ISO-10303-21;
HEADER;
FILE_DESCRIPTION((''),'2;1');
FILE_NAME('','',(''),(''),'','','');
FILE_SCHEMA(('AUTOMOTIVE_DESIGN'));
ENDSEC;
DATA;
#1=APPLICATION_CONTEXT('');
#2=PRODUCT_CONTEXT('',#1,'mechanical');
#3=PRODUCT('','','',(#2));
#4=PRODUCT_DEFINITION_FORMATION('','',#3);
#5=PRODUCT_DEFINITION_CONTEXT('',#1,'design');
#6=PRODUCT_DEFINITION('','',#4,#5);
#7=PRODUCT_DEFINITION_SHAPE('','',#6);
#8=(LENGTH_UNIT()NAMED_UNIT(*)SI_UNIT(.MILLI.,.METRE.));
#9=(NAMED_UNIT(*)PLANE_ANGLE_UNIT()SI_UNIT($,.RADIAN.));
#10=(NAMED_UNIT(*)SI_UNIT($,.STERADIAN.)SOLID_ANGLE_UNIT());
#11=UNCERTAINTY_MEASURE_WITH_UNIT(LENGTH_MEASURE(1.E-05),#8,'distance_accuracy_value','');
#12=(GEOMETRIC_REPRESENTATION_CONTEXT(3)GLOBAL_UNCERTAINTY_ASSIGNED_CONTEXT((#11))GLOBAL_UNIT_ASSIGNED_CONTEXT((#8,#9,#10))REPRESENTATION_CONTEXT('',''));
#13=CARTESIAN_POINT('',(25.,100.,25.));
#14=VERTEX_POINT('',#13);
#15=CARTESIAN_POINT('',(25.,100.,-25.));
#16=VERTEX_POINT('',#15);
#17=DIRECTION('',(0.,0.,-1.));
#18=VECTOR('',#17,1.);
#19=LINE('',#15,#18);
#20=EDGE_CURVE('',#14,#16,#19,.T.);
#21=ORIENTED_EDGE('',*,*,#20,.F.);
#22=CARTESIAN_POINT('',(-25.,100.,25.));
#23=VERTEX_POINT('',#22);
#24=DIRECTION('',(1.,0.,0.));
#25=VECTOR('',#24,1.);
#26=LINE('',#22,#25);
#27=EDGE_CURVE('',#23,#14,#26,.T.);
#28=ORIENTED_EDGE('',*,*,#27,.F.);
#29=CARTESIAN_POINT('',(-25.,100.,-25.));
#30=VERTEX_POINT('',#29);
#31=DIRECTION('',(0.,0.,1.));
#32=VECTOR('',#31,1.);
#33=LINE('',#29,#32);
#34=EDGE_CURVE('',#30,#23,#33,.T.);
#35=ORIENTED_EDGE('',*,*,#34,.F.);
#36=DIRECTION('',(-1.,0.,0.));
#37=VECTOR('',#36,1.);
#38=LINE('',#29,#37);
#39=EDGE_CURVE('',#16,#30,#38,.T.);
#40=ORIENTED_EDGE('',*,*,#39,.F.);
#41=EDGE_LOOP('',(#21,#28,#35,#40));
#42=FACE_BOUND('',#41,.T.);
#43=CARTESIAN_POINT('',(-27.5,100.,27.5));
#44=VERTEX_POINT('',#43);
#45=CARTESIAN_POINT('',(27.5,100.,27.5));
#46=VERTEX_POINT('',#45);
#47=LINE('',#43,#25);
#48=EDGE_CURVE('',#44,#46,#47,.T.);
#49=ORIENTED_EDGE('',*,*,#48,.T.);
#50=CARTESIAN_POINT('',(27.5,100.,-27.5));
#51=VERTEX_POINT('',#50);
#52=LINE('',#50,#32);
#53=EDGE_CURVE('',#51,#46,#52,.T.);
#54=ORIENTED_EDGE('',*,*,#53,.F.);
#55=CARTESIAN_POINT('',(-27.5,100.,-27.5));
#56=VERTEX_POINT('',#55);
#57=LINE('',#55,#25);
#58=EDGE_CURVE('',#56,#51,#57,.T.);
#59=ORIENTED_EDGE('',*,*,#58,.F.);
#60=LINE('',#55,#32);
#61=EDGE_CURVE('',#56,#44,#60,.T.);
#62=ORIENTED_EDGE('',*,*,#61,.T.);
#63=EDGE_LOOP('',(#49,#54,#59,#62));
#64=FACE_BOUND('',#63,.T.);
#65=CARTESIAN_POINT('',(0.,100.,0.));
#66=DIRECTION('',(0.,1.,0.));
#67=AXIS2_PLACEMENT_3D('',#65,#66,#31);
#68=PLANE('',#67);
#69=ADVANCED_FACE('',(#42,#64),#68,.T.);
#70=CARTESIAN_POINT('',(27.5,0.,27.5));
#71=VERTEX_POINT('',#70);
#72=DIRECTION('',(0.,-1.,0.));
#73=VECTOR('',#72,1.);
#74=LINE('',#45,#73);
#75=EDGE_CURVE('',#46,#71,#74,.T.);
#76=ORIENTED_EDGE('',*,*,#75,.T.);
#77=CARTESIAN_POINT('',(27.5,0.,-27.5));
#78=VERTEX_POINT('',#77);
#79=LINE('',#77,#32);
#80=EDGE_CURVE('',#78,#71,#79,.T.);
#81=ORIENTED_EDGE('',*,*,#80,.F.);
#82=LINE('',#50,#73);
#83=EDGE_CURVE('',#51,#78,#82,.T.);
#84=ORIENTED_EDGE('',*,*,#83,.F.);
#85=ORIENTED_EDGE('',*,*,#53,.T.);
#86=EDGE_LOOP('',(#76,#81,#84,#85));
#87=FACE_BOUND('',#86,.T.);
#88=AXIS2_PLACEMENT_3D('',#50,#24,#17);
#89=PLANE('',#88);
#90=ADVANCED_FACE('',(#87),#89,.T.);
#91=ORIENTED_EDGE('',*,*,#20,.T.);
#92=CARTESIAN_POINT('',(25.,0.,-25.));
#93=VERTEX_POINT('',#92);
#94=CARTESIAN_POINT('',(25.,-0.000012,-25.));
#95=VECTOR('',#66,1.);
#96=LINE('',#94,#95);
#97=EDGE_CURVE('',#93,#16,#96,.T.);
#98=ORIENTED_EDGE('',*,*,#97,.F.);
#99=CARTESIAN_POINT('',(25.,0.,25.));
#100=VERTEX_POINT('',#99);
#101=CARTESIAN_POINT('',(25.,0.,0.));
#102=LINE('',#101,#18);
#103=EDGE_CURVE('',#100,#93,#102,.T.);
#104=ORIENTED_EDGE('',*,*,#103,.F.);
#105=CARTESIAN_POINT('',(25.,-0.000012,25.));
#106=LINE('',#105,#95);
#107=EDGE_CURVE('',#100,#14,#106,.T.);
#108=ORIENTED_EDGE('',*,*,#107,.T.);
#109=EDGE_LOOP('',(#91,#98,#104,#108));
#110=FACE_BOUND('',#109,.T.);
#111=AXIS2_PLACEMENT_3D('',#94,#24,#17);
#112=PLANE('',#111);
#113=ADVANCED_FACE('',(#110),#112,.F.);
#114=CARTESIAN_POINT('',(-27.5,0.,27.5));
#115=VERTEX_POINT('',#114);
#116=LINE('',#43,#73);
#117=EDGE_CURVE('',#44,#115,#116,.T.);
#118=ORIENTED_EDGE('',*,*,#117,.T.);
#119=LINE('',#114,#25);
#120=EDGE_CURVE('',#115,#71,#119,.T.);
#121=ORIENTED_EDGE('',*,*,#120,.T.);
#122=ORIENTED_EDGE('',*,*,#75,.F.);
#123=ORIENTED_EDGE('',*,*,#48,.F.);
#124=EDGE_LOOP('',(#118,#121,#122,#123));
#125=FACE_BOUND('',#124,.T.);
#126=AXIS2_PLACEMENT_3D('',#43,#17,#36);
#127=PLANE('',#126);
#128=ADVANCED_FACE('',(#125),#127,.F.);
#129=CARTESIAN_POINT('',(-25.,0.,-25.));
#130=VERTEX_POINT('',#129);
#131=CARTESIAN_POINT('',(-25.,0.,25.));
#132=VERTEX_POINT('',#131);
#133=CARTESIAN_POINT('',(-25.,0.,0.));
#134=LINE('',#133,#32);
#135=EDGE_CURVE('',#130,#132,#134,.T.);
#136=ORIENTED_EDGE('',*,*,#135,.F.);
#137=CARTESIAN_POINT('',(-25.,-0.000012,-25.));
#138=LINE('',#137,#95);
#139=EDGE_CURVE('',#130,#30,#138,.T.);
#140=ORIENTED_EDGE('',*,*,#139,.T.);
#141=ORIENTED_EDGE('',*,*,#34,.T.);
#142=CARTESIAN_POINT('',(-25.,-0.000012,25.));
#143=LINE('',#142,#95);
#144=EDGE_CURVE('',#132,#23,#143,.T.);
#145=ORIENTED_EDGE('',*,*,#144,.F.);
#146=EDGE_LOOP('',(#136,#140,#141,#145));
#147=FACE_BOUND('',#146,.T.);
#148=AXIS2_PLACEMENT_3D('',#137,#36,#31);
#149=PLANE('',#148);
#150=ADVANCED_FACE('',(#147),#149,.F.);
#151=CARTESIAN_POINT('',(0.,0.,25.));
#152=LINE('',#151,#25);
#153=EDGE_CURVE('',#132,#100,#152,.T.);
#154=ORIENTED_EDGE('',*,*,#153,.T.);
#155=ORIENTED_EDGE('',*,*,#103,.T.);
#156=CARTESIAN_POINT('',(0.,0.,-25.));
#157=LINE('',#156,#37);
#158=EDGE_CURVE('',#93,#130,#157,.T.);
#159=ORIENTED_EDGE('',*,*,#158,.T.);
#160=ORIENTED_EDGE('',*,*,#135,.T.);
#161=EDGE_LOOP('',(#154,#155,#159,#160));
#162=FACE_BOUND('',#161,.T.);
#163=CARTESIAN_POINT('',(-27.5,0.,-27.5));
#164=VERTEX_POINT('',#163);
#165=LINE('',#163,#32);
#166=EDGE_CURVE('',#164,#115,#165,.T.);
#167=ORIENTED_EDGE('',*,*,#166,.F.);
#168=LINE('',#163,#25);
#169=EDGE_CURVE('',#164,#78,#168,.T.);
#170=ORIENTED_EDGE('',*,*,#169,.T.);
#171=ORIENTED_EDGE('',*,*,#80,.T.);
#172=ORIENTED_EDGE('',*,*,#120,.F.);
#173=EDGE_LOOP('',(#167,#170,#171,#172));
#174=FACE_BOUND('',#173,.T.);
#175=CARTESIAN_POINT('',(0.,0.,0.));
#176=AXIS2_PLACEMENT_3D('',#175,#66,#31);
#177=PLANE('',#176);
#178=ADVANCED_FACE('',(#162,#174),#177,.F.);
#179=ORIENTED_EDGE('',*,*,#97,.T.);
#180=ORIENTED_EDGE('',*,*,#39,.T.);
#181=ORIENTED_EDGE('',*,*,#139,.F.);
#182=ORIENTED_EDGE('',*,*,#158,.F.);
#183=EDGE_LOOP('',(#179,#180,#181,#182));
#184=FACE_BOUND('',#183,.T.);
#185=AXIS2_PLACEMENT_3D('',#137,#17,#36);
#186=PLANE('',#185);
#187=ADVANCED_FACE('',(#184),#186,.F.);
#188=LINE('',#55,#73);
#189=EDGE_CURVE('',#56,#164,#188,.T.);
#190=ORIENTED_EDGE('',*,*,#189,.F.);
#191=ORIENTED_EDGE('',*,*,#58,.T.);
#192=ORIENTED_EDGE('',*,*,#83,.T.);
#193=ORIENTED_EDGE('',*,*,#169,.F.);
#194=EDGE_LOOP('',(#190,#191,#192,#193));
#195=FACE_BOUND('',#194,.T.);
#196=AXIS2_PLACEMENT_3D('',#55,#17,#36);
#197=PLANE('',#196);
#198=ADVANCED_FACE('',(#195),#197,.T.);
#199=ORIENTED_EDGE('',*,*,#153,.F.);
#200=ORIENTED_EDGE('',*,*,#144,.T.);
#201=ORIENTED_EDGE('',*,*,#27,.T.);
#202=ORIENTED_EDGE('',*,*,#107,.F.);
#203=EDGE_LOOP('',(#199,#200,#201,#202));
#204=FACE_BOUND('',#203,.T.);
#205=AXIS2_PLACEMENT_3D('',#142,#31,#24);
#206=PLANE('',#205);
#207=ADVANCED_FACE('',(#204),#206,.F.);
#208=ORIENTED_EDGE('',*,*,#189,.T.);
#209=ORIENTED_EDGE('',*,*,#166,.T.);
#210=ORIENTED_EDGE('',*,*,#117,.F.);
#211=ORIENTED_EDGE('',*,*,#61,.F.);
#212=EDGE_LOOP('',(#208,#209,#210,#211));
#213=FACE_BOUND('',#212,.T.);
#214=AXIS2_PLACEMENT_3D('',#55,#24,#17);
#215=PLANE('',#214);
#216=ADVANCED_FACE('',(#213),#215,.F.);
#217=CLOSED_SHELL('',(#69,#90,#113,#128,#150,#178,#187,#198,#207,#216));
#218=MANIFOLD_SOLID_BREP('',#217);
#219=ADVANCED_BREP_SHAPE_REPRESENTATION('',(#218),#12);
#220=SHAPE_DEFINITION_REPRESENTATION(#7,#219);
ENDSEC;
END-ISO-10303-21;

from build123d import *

# Parameters (mm, degrees)
SKETCH_1_W               = 55
SKETCH_1_H               = 55
EXTRUDE_1_DEPTH          = 100
CUT_EXTRUDE_1_DEPTH      = 108.296318669
CUT_EXTRUDE_1_DEPTH_BACK = 108.296318669
SKETCH_2_W               = 50
SKETCH_2_H               = 50


with BuildPart() as part:
    # 草图1 → 凸台-拉伸1 (new body)
    with BuildSketch(Plane(origin=(0, 0, 0), x_dir=(1, 0, 0), z_dir=(0, 1, 0))):
        Rectangle(SKETCH_1_W, SKETCH_1_H)
    extrude(amount=EXTRUDE_1_DEPTH)

    # 草图2 → 切除-拉伸1 (cut, two sides: drawn at the far end of the back side and taken through both)
    with BuildSketch(Plane(origin=(0, 0, 0), x_dir=(1, 0, 0), z_dir=(0, 1, 0)).offset(-CUT_EXTRUDE_1_DEPTH_BACK)):
        Rectangle(SKETCH_2_W, SKETCH_2_H)
    extrude(amount=CUT_EXTRUDE_1_DEPTH + CUT_EXTRUDE_1_DEPTH_BACK, mode=Mode.SUBTRACT)


solid = part.part
